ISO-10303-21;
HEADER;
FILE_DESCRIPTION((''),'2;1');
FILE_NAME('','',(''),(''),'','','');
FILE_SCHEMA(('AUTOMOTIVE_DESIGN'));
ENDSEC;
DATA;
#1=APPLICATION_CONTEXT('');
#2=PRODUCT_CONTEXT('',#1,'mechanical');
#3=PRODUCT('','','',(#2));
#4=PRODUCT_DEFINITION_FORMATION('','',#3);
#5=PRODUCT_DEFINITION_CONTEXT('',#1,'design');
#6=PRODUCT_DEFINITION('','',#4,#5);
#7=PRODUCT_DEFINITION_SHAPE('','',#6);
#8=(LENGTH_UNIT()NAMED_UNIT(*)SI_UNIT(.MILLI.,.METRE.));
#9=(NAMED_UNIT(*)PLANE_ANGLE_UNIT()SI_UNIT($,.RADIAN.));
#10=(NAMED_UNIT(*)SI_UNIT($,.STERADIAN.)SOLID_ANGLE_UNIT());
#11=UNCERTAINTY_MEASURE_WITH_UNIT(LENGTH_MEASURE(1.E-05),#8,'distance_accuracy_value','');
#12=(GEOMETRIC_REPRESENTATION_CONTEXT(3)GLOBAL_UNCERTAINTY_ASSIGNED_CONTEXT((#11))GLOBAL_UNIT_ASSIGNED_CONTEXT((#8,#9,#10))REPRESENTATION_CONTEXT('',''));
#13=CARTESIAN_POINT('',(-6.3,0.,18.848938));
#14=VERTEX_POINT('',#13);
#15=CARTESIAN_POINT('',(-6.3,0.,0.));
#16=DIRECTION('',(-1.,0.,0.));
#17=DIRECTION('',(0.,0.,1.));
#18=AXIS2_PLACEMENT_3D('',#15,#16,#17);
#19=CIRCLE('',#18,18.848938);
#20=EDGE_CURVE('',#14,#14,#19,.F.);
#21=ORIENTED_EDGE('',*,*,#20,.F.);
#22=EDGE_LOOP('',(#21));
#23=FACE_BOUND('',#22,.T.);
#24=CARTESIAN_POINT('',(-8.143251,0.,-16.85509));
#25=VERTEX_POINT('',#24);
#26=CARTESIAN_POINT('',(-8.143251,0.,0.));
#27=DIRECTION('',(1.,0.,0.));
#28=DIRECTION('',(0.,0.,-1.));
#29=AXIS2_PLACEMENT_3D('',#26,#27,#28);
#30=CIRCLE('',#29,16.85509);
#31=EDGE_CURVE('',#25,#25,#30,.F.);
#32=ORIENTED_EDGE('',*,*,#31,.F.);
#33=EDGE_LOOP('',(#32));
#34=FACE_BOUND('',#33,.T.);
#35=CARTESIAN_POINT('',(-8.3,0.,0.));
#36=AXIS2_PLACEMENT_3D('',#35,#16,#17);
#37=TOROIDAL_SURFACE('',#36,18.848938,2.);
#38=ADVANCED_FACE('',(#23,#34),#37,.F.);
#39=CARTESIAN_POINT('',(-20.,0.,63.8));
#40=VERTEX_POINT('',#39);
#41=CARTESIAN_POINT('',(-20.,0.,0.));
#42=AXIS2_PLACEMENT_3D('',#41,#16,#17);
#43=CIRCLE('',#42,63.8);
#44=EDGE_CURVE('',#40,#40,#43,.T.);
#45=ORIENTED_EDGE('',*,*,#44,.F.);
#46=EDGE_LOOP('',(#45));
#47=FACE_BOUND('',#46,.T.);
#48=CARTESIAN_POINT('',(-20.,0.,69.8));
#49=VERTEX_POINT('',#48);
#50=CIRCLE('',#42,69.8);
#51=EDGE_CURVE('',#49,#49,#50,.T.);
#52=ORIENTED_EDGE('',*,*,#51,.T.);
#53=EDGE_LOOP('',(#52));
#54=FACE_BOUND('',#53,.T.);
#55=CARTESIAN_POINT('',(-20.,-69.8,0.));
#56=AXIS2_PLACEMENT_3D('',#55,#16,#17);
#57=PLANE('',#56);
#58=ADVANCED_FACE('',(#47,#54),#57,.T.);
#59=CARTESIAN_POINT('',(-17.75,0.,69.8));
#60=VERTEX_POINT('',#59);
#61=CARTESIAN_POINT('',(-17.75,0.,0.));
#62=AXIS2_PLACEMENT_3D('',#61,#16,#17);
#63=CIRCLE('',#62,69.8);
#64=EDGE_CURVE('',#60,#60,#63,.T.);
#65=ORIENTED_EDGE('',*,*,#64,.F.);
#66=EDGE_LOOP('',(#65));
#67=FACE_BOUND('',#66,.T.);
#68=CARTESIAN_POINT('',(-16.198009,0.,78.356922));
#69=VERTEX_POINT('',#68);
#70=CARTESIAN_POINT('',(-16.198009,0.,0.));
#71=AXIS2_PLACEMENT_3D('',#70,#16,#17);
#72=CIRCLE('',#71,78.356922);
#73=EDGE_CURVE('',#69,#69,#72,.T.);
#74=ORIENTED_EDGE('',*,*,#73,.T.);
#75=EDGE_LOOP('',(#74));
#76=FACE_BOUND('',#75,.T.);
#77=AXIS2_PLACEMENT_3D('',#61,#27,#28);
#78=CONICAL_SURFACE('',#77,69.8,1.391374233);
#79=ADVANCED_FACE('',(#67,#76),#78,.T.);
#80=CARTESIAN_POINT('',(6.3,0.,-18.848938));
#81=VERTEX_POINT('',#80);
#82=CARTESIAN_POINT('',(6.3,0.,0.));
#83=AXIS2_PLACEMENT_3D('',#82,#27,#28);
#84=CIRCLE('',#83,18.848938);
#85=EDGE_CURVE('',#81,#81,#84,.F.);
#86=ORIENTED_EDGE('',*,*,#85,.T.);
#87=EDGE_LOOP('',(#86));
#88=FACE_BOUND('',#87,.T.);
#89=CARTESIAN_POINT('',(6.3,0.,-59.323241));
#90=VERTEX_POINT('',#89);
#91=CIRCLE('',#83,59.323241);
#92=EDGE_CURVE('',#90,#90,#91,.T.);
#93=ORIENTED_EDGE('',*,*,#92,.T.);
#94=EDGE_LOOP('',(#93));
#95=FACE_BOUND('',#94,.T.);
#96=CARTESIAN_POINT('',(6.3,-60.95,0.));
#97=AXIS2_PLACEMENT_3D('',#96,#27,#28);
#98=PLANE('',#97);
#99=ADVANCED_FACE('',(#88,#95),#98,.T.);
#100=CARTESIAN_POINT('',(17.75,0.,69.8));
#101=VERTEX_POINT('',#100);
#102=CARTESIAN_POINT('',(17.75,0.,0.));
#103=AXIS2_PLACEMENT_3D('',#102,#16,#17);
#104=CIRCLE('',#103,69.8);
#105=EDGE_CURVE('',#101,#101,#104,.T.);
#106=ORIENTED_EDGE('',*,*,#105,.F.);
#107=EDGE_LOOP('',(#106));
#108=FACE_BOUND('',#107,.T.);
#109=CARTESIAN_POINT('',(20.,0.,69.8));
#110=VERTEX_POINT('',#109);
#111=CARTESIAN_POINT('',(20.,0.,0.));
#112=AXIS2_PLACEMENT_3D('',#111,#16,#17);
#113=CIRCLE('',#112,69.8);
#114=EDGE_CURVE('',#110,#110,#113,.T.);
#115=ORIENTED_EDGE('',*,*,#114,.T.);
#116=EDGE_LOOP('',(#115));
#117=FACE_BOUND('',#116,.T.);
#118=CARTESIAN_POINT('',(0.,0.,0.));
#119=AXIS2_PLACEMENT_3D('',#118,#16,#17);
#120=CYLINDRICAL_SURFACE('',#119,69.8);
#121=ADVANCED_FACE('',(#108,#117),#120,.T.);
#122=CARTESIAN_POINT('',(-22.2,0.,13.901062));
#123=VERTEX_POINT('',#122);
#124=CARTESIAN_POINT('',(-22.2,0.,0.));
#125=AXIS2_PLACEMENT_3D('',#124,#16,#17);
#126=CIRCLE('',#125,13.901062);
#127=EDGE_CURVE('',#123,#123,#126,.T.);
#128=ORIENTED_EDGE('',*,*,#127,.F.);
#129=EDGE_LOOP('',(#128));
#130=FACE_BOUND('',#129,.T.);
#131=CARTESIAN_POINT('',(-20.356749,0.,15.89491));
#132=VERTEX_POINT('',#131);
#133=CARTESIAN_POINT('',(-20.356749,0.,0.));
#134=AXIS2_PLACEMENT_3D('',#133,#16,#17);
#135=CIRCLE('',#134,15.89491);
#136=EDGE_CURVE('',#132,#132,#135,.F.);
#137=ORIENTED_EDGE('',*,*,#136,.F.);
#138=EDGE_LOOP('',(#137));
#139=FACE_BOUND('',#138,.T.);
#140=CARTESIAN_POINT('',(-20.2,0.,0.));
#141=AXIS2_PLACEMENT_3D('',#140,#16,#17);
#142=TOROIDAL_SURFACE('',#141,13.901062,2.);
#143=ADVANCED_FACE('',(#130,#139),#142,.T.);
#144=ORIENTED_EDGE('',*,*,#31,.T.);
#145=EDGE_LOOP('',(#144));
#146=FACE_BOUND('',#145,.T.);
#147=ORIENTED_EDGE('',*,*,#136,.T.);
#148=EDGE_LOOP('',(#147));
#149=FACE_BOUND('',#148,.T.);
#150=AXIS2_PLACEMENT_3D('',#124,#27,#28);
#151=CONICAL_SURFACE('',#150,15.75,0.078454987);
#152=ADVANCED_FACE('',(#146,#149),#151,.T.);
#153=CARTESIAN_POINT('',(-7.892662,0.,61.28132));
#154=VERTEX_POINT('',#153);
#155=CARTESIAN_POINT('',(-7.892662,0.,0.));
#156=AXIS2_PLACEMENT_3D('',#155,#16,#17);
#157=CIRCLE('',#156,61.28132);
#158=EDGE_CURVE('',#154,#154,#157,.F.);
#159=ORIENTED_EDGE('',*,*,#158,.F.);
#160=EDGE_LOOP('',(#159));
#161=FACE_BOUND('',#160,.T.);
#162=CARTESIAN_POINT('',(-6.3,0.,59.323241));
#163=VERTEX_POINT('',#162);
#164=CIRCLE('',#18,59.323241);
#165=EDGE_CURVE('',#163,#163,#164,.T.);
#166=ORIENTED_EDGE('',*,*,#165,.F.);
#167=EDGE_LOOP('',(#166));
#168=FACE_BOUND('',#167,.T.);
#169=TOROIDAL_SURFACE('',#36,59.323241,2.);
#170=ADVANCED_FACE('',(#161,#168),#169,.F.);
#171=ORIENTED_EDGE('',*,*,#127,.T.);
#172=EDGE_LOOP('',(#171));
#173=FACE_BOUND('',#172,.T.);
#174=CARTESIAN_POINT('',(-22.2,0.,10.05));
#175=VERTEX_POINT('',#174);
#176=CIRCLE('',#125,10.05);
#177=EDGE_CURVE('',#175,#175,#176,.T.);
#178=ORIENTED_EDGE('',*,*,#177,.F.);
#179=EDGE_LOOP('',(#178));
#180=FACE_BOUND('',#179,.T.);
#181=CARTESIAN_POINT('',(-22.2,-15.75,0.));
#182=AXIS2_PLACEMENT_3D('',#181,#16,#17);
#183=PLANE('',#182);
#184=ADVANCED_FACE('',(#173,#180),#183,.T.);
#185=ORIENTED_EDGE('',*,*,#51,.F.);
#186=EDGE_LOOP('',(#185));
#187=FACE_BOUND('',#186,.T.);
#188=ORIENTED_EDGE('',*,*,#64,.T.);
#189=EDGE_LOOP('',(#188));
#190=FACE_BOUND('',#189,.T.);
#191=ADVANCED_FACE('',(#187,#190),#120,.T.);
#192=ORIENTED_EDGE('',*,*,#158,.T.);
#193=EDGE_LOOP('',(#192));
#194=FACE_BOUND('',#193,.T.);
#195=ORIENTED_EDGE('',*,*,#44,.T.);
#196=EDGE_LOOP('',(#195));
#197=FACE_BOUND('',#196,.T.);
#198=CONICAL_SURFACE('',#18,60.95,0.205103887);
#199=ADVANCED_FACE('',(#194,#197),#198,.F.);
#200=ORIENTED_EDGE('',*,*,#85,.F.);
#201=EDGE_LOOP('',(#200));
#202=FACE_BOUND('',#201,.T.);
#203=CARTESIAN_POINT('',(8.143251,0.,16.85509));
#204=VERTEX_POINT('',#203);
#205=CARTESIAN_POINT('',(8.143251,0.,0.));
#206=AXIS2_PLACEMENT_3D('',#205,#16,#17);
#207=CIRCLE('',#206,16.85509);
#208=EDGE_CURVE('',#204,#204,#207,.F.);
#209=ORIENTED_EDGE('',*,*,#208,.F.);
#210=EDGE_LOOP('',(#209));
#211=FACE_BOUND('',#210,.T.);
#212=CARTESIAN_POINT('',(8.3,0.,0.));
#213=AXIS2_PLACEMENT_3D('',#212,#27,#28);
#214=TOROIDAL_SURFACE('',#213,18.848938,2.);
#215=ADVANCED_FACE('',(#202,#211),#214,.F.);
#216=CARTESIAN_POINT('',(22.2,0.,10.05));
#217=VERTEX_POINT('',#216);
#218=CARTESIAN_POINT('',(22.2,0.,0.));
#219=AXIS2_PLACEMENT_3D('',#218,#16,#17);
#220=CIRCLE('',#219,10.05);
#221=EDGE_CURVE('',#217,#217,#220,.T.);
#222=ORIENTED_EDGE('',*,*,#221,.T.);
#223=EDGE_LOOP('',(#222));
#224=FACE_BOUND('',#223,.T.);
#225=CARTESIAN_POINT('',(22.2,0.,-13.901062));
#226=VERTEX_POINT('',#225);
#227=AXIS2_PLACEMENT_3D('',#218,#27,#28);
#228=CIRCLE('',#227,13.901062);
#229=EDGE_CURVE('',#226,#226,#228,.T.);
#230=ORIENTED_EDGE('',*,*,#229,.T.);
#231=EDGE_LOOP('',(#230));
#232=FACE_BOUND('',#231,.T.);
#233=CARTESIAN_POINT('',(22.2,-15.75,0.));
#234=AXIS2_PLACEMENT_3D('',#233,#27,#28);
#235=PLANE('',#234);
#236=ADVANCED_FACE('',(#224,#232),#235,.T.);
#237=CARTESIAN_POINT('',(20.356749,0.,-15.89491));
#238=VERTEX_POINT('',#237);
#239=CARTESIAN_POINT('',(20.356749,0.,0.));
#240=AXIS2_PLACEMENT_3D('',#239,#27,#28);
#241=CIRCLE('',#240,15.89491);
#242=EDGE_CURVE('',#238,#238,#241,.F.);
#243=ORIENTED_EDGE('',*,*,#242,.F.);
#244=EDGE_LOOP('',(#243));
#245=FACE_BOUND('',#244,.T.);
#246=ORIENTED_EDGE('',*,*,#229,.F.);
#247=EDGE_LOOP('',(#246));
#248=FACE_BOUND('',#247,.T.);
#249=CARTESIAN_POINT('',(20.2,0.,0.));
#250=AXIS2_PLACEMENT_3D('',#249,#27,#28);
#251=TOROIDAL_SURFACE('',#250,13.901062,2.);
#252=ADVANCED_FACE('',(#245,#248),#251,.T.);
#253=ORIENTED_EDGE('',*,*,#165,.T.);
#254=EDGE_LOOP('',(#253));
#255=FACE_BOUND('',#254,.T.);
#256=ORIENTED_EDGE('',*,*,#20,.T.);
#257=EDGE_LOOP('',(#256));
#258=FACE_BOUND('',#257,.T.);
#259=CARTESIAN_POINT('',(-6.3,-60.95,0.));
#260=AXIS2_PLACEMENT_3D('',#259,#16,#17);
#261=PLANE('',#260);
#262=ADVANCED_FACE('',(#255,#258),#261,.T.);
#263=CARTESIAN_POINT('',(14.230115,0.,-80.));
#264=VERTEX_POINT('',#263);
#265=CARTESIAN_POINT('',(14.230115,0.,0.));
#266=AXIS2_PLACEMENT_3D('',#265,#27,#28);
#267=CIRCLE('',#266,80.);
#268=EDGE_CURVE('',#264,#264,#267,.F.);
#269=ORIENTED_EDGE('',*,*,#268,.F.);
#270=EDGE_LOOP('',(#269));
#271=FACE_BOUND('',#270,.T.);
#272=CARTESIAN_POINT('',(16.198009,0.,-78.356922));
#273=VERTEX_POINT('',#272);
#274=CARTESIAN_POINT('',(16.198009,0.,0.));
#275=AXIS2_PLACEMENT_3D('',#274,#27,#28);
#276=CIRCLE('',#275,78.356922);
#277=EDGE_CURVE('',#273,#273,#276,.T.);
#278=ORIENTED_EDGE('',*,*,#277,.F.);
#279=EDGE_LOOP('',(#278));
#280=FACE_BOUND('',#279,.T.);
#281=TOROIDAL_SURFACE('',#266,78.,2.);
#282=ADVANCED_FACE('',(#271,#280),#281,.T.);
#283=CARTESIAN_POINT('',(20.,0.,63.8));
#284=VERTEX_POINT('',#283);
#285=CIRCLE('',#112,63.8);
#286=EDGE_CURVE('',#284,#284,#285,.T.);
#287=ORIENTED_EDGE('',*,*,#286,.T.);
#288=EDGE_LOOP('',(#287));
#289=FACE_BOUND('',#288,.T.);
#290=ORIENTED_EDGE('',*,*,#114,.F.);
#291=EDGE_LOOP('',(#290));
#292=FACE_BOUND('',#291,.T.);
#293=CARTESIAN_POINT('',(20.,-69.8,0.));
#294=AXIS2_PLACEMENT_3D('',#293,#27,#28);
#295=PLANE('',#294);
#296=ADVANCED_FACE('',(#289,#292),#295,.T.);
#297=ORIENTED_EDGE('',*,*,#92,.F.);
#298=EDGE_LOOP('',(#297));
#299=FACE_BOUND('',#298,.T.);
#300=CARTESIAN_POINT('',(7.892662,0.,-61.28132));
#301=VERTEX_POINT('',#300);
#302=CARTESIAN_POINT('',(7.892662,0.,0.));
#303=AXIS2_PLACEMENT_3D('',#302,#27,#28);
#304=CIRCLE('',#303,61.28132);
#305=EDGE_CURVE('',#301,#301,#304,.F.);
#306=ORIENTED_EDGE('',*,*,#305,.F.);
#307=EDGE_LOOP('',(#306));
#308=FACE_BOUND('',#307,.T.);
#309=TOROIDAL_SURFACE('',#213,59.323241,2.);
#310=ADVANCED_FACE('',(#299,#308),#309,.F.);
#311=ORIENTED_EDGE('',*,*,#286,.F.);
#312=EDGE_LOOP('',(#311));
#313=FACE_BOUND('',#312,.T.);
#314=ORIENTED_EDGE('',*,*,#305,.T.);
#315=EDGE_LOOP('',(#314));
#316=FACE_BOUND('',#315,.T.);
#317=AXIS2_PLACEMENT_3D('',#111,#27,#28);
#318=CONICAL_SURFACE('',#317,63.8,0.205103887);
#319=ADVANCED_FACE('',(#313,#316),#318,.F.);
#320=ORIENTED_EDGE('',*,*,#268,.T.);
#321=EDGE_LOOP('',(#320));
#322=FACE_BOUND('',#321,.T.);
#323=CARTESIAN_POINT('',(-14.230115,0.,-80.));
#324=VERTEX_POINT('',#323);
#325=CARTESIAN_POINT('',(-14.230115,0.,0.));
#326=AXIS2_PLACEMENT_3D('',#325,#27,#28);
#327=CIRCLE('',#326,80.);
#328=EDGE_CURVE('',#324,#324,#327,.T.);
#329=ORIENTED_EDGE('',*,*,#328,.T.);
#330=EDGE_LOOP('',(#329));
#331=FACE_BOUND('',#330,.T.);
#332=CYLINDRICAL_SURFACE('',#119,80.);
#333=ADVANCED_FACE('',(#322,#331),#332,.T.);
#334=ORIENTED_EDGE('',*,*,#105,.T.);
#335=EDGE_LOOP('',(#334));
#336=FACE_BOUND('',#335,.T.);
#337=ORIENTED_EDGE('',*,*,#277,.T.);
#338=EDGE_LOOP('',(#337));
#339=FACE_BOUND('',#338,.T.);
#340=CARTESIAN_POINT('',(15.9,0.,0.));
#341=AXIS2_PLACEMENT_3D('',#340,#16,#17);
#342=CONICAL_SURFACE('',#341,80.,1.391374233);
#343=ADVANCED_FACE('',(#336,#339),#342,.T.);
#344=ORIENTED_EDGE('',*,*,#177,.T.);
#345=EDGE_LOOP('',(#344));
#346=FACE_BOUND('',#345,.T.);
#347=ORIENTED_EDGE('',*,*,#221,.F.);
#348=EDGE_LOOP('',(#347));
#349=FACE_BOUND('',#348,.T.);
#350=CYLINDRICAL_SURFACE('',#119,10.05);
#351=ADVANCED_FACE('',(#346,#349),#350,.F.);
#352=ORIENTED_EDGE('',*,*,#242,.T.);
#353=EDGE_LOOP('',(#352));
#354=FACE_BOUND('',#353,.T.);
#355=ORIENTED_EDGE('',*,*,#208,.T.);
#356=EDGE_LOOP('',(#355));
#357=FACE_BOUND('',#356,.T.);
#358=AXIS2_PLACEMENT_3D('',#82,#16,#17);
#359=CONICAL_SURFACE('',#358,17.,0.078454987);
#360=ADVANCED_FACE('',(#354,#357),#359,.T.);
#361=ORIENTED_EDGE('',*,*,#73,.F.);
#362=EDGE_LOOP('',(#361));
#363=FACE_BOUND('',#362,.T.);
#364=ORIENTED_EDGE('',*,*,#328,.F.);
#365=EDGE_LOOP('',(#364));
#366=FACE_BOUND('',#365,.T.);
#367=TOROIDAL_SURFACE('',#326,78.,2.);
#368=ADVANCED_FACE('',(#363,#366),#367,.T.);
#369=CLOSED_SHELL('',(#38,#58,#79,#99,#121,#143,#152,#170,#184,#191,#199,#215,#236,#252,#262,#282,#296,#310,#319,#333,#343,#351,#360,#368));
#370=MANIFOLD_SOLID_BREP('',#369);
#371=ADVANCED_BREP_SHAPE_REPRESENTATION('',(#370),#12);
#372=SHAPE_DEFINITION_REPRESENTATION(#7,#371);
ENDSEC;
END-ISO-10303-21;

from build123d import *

# Parameters (mm, degrees)
FILLET1_R = 2


with BuildPart() as part:
    # Sketch1 → Revolve1 (revolve)
    with BuildSketch(Plane.XY, mode=Mode.PRIVATE) as revolve1_sk:
        Polygon((-15.9, -80), (15.9, -80), (17.75, -69.8), (20, -69.8), (20, -63.8), (6.3, -60.95), (6.3, -17), (22.2, -15.75), (22.2, -10.05), (-22.2, -10.05), (-22.2, -15.75), (-6.3, -17), (-6.3, -60.95), (-20, -63.8), (-20, -69.8), (-17.75, -69.8), align=None)
    revolve(revolve1_sk.sketch.rotate(Axis((0, 0, 0), (1, 0, 0)), 270), axis=Axis((0, 0, 0), (1, 0, 0)))

    # Fillet1
    fillet1_edges = [part.edges().sort_by_distance(p)[0] for p in [
        (15.9, 0, -80),
        (-15.9, 0, -80),
        (-6.3, 0, -60.95),
        (-6.3, 0, -17),
        (-22.2, 0, -15.75),
        (22.2, 0, -15.75),
        (6.3, 0, -17),
        (6.3, 0, -60.95),
    ]]
    fillet(fillet1_edges, radius=FILLET1_R)


solid = part.part
